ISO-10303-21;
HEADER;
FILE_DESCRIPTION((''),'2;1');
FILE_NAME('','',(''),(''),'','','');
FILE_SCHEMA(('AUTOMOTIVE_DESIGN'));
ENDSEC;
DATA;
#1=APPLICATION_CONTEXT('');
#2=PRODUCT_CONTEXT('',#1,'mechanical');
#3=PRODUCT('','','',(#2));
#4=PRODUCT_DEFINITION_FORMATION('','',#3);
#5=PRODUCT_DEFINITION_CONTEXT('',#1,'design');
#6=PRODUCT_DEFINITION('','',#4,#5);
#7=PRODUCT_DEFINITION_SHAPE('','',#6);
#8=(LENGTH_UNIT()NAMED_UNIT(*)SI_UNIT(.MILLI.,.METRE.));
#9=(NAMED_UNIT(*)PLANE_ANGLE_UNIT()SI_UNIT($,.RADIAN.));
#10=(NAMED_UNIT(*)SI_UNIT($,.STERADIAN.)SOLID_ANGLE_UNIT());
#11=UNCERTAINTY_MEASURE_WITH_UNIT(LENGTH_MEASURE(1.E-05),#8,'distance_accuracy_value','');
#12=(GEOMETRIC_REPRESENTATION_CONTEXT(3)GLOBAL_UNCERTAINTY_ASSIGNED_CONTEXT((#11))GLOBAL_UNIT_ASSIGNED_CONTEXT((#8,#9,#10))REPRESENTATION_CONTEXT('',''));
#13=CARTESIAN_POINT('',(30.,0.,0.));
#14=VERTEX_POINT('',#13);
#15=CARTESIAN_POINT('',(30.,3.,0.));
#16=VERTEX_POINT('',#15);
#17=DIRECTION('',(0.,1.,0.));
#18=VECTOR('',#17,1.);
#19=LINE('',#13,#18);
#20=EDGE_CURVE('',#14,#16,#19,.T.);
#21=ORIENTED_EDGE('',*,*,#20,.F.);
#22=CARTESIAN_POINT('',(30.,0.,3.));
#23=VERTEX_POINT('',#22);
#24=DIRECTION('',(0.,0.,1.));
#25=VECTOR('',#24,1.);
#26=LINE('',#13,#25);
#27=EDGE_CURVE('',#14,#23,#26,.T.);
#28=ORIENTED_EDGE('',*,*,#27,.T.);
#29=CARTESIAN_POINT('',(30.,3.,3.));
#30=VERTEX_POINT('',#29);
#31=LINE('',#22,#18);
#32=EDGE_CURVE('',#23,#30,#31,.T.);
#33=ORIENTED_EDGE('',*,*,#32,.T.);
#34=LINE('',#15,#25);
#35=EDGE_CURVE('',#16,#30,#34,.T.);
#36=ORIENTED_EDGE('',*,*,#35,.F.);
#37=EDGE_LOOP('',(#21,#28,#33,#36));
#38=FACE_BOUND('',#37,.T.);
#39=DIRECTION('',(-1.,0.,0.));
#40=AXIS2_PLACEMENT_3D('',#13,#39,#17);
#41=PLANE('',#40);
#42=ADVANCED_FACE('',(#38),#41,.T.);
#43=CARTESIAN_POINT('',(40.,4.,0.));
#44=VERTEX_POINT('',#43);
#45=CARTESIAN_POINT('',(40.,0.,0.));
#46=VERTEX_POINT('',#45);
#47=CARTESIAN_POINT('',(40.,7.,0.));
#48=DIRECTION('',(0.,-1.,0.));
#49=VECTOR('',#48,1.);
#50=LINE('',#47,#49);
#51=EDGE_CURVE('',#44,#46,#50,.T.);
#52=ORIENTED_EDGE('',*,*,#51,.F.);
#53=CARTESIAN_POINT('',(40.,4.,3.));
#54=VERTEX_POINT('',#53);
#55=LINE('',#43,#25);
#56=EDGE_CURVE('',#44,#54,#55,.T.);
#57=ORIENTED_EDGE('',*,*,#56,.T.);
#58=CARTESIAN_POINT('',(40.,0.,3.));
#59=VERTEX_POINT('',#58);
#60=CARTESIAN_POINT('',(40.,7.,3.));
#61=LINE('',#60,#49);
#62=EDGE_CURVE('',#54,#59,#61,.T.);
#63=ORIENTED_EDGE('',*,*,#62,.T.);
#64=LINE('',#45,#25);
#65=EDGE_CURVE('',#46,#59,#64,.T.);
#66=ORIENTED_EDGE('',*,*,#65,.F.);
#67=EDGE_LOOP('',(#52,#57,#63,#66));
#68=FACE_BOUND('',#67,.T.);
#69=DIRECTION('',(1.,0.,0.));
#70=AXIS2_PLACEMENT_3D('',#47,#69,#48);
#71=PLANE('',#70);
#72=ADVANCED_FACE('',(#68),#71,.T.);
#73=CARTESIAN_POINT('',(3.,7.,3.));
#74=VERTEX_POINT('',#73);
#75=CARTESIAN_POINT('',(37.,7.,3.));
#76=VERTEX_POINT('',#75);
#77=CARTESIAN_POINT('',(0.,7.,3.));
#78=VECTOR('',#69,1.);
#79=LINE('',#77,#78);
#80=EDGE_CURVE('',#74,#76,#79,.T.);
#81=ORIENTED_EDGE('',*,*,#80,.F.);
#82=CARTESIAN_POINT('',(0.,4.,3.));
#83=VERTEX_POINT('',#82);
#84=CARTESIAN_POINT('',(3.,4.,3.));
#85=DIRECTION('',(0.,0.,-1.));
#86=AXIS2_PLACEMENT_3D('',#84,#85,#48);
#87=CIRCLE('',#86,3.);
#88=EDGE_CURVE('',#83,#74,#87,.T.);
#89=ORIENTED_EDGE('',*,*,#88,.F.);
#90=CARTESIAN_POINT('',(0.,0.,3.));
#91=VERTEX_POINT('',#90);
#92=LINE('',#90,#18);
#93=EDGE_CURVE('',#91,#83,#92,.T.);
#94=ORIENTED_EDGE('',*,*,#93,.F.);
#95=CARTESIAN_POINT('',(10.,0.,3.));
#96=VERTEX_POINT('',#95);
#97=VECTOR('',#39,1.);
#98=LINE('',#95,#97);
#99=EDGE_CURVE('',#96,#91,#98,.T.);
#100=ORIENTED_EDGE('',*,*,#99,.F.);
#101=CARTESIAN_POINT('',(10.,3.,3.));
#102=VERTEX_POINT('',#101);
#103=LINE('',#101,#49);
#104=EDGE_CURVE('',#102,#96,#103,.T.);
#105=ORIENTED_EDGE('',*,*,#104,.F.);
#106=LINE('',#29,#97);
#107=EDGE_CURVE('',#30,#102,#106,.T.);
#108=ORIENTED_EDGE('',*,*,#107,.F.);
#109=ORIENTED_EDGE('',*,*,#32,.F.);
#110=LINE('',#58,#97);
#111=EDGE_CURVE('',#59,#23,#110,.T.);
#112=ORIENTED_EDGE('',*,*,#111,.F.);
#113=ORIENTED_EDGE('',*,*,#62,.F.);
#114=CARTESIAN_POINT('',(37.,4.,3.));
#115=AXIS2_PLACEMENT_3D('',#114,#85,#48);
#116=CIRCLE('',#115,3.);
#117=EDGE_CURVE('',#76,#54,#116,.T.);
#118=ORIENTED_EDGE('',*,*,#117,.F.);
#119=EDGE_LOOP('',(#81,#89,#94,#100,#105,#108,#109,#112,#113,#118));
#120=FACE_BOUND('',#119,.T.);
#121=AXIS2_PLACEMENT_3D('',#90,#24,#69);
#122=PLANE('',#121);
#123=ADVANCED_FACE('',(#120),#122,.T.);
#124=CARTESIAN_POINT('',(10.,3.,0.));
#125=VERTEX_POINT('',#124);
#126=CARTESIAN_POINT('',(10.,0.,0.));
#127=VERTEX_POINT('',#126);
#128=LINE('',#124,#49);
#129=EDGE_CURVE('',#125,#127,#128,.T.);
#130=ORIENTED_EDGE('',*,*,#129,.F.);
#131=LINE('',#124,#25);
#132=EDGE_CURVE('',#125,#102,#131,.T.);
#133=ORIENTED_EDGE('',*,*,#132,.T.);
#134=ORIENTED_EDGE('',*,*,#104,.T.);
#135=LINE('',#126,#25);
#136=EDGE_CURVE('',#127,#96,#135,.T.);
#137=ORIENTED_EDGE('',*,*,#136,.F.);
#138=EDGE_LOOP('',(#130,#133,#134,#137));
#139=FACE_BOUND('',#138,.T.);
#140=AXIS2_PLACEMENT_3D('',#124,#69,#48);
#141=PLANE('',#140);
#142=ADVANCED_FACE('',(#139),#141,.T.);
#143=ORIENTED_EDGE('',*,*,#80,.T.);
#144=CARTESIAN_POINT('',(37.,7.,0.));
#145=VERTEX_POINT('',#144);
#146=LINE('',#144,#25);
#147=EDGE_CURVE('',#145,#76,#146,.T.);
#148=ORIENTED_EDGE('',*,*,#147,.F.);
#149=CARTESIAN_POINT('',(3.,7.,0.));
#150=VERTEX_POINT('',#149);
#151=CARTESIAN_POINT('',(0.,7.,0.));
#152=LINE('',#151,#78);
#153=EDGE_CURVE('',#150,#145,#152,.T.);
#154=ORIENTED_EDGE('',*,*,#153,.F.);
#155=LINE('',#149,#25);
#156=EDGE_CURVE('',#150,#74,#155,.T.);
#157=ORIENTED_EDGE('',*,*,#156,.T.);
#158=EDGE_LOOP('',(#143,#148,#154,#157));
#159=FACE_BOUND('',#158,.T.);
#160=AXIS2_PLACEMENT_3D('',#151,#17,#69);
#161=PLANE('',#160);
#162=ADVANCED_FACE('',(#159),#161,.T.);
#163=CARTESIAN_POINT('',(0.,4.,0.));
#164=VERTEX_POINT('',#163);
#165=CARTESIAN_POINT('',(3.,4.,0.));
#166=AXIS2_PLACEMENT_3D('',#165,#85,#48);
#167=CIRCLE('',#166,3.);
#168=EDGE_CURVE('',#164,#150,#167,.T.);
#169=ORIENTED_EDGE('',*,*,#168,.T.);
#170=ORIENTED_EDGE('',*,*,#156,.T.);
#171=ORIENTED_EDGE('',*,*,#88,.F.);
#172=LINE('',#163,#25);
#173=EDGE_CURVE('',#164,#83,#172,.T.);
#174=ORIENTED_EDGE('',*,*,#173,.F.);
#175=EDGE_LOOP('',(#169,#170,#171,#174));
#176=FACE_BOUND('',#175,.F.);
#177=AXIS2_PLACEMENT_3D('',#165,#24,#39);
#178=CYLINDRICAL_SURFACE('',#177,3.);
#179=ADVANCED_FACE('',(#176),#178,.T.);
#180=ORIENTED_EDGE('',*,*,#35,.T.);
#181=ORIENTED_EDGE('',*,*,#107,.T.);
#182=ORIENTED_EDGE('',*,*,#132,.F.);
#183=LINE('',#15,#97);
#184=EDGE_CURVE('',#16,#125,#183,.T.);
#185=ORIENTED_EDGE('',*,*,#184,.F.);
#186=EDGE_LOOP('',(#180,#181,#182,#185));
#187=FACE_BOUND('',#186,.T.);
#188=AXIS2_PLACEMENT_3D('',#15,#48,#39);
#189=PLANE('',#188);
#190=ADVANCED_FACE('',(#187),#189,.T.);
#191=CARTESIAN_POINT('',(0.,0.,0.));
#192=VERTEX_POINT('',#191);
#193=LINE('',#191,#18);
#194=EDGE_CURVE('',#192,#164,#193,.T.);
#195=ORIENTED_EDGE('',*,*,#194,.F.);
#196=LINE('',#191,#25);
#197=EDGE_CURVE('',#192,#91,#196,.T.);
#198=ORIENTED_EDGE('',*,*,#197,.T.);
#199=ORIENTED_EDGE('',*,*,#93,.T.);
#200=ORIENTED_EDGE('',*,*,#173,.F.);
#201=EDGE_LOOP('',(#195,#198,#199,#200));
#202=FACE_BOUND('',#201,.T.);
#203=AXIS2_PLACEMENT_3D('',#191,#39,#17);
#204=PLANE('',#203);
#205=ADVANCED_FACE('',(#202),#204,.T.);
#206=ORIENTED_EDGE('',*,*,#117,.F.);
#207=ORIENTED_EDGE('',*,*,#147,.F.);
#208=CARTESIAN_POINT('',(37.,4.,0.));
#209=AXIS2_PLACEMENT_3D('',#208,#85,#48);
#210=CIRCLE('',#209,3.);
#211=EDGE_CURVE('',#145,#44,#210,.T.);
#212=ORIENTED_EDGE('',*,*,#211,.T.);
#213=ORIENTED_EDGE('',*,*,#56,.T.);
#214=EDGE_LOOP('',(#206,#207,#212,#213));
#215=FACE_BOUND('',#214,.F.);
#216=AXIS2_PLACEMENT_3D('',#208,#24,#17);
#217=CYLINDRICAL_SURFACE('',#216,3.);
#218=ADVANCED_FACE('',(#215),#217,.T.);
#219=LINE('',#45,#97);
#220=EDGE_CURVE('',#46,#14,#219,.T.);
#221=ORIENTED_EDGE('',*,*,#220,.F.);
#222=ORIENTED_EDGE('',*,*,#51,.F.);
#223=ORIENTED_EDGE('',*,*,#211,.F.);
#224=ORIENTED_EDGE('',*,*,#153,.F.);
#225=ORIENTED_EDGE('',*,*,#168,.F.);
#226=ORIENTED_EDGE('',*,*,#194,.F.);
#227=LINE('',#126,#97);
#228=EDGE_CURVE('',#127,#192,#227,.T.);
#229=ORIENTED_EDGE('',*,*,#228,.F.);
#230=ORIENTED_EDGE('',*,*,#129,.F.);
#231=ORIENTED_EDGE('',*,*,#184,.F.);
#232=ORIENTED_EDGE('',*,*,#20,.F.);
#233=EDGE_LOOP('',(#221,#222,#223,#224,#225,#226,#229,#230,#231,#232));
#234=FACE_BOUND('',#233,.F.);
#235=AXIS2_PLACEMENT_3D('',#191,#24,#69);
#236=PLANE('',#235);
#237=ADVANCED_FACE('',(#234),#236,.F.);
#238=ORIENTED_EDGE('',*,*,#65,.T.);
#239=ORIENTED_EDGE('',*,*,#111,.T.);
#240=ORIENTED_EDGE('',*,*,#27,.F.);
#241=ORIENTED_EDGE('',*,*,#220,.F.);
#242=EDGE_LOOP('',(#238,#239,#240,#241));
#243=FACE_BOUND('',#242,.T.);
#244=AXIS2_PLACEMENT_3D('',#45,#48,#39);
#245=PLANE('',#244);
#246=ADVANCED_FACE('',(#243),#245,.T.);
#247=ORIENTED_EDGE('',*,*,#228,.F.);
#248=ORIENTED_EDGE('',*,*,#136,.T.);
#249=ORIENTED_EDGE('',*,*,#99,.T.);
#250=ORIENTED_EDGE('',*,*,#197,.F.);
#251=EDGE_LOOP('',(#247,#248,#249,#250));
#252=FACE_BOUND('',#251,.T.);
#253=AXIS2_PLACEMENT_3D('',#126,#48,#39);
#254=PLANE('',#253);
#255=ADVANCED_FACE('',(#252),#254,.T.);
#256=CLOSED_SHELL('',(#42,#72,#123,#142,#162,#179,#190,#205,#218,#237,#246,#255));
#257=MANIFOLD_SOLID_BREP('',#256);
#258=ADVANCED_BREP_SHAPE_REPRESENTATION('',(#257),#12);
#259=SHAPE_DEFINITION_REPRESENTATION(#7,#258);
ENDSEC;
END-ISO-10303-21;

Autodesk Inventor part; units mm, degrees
ref_plane "YZ Plane" through (0, 0, 0) normal (1, 0, 0) x (0, 1, 0)
ref_plane "XZ Plane" through (0, 0, 0) normal (0, 1, 0) x (-1, 0, 0)
ref_plane "XY Plane" through (0, 0, 0) normal (0, 0, 1) x (1, 0, 0)
sketch "Sketch1" plane through (0, 0, 0) normal (0, 0, 1) x (1, 0, 0)
  line L0 (0, 0) -> (0, 7)
  line L1 (0, 7) -> (40, 7)
  line L2 (40, 7) -> (40, 0)
  line L3 (40, 0) -> (30, 0)
  line L4 (30, 0) -> (30, 3)
  line L5 (30, 3) -> (10, 3)
  line L6 (10, 3) -> (10, 0)
  line L7 (10, 0) -> (0, 0)
  dimension "d0" = 40
  dimension "d1" = 10
  dimension "d2" = 10
  dimension "d3" = 3
  dimension "d4" = 7
extrude "Extrusion1" add sketch "Sketch1" along normal blind 3
fillet "Fillet1" radius 3 2 edges at (40, 7, 1.5) (0, 7, 1.5)
properties part number "Stopper"
